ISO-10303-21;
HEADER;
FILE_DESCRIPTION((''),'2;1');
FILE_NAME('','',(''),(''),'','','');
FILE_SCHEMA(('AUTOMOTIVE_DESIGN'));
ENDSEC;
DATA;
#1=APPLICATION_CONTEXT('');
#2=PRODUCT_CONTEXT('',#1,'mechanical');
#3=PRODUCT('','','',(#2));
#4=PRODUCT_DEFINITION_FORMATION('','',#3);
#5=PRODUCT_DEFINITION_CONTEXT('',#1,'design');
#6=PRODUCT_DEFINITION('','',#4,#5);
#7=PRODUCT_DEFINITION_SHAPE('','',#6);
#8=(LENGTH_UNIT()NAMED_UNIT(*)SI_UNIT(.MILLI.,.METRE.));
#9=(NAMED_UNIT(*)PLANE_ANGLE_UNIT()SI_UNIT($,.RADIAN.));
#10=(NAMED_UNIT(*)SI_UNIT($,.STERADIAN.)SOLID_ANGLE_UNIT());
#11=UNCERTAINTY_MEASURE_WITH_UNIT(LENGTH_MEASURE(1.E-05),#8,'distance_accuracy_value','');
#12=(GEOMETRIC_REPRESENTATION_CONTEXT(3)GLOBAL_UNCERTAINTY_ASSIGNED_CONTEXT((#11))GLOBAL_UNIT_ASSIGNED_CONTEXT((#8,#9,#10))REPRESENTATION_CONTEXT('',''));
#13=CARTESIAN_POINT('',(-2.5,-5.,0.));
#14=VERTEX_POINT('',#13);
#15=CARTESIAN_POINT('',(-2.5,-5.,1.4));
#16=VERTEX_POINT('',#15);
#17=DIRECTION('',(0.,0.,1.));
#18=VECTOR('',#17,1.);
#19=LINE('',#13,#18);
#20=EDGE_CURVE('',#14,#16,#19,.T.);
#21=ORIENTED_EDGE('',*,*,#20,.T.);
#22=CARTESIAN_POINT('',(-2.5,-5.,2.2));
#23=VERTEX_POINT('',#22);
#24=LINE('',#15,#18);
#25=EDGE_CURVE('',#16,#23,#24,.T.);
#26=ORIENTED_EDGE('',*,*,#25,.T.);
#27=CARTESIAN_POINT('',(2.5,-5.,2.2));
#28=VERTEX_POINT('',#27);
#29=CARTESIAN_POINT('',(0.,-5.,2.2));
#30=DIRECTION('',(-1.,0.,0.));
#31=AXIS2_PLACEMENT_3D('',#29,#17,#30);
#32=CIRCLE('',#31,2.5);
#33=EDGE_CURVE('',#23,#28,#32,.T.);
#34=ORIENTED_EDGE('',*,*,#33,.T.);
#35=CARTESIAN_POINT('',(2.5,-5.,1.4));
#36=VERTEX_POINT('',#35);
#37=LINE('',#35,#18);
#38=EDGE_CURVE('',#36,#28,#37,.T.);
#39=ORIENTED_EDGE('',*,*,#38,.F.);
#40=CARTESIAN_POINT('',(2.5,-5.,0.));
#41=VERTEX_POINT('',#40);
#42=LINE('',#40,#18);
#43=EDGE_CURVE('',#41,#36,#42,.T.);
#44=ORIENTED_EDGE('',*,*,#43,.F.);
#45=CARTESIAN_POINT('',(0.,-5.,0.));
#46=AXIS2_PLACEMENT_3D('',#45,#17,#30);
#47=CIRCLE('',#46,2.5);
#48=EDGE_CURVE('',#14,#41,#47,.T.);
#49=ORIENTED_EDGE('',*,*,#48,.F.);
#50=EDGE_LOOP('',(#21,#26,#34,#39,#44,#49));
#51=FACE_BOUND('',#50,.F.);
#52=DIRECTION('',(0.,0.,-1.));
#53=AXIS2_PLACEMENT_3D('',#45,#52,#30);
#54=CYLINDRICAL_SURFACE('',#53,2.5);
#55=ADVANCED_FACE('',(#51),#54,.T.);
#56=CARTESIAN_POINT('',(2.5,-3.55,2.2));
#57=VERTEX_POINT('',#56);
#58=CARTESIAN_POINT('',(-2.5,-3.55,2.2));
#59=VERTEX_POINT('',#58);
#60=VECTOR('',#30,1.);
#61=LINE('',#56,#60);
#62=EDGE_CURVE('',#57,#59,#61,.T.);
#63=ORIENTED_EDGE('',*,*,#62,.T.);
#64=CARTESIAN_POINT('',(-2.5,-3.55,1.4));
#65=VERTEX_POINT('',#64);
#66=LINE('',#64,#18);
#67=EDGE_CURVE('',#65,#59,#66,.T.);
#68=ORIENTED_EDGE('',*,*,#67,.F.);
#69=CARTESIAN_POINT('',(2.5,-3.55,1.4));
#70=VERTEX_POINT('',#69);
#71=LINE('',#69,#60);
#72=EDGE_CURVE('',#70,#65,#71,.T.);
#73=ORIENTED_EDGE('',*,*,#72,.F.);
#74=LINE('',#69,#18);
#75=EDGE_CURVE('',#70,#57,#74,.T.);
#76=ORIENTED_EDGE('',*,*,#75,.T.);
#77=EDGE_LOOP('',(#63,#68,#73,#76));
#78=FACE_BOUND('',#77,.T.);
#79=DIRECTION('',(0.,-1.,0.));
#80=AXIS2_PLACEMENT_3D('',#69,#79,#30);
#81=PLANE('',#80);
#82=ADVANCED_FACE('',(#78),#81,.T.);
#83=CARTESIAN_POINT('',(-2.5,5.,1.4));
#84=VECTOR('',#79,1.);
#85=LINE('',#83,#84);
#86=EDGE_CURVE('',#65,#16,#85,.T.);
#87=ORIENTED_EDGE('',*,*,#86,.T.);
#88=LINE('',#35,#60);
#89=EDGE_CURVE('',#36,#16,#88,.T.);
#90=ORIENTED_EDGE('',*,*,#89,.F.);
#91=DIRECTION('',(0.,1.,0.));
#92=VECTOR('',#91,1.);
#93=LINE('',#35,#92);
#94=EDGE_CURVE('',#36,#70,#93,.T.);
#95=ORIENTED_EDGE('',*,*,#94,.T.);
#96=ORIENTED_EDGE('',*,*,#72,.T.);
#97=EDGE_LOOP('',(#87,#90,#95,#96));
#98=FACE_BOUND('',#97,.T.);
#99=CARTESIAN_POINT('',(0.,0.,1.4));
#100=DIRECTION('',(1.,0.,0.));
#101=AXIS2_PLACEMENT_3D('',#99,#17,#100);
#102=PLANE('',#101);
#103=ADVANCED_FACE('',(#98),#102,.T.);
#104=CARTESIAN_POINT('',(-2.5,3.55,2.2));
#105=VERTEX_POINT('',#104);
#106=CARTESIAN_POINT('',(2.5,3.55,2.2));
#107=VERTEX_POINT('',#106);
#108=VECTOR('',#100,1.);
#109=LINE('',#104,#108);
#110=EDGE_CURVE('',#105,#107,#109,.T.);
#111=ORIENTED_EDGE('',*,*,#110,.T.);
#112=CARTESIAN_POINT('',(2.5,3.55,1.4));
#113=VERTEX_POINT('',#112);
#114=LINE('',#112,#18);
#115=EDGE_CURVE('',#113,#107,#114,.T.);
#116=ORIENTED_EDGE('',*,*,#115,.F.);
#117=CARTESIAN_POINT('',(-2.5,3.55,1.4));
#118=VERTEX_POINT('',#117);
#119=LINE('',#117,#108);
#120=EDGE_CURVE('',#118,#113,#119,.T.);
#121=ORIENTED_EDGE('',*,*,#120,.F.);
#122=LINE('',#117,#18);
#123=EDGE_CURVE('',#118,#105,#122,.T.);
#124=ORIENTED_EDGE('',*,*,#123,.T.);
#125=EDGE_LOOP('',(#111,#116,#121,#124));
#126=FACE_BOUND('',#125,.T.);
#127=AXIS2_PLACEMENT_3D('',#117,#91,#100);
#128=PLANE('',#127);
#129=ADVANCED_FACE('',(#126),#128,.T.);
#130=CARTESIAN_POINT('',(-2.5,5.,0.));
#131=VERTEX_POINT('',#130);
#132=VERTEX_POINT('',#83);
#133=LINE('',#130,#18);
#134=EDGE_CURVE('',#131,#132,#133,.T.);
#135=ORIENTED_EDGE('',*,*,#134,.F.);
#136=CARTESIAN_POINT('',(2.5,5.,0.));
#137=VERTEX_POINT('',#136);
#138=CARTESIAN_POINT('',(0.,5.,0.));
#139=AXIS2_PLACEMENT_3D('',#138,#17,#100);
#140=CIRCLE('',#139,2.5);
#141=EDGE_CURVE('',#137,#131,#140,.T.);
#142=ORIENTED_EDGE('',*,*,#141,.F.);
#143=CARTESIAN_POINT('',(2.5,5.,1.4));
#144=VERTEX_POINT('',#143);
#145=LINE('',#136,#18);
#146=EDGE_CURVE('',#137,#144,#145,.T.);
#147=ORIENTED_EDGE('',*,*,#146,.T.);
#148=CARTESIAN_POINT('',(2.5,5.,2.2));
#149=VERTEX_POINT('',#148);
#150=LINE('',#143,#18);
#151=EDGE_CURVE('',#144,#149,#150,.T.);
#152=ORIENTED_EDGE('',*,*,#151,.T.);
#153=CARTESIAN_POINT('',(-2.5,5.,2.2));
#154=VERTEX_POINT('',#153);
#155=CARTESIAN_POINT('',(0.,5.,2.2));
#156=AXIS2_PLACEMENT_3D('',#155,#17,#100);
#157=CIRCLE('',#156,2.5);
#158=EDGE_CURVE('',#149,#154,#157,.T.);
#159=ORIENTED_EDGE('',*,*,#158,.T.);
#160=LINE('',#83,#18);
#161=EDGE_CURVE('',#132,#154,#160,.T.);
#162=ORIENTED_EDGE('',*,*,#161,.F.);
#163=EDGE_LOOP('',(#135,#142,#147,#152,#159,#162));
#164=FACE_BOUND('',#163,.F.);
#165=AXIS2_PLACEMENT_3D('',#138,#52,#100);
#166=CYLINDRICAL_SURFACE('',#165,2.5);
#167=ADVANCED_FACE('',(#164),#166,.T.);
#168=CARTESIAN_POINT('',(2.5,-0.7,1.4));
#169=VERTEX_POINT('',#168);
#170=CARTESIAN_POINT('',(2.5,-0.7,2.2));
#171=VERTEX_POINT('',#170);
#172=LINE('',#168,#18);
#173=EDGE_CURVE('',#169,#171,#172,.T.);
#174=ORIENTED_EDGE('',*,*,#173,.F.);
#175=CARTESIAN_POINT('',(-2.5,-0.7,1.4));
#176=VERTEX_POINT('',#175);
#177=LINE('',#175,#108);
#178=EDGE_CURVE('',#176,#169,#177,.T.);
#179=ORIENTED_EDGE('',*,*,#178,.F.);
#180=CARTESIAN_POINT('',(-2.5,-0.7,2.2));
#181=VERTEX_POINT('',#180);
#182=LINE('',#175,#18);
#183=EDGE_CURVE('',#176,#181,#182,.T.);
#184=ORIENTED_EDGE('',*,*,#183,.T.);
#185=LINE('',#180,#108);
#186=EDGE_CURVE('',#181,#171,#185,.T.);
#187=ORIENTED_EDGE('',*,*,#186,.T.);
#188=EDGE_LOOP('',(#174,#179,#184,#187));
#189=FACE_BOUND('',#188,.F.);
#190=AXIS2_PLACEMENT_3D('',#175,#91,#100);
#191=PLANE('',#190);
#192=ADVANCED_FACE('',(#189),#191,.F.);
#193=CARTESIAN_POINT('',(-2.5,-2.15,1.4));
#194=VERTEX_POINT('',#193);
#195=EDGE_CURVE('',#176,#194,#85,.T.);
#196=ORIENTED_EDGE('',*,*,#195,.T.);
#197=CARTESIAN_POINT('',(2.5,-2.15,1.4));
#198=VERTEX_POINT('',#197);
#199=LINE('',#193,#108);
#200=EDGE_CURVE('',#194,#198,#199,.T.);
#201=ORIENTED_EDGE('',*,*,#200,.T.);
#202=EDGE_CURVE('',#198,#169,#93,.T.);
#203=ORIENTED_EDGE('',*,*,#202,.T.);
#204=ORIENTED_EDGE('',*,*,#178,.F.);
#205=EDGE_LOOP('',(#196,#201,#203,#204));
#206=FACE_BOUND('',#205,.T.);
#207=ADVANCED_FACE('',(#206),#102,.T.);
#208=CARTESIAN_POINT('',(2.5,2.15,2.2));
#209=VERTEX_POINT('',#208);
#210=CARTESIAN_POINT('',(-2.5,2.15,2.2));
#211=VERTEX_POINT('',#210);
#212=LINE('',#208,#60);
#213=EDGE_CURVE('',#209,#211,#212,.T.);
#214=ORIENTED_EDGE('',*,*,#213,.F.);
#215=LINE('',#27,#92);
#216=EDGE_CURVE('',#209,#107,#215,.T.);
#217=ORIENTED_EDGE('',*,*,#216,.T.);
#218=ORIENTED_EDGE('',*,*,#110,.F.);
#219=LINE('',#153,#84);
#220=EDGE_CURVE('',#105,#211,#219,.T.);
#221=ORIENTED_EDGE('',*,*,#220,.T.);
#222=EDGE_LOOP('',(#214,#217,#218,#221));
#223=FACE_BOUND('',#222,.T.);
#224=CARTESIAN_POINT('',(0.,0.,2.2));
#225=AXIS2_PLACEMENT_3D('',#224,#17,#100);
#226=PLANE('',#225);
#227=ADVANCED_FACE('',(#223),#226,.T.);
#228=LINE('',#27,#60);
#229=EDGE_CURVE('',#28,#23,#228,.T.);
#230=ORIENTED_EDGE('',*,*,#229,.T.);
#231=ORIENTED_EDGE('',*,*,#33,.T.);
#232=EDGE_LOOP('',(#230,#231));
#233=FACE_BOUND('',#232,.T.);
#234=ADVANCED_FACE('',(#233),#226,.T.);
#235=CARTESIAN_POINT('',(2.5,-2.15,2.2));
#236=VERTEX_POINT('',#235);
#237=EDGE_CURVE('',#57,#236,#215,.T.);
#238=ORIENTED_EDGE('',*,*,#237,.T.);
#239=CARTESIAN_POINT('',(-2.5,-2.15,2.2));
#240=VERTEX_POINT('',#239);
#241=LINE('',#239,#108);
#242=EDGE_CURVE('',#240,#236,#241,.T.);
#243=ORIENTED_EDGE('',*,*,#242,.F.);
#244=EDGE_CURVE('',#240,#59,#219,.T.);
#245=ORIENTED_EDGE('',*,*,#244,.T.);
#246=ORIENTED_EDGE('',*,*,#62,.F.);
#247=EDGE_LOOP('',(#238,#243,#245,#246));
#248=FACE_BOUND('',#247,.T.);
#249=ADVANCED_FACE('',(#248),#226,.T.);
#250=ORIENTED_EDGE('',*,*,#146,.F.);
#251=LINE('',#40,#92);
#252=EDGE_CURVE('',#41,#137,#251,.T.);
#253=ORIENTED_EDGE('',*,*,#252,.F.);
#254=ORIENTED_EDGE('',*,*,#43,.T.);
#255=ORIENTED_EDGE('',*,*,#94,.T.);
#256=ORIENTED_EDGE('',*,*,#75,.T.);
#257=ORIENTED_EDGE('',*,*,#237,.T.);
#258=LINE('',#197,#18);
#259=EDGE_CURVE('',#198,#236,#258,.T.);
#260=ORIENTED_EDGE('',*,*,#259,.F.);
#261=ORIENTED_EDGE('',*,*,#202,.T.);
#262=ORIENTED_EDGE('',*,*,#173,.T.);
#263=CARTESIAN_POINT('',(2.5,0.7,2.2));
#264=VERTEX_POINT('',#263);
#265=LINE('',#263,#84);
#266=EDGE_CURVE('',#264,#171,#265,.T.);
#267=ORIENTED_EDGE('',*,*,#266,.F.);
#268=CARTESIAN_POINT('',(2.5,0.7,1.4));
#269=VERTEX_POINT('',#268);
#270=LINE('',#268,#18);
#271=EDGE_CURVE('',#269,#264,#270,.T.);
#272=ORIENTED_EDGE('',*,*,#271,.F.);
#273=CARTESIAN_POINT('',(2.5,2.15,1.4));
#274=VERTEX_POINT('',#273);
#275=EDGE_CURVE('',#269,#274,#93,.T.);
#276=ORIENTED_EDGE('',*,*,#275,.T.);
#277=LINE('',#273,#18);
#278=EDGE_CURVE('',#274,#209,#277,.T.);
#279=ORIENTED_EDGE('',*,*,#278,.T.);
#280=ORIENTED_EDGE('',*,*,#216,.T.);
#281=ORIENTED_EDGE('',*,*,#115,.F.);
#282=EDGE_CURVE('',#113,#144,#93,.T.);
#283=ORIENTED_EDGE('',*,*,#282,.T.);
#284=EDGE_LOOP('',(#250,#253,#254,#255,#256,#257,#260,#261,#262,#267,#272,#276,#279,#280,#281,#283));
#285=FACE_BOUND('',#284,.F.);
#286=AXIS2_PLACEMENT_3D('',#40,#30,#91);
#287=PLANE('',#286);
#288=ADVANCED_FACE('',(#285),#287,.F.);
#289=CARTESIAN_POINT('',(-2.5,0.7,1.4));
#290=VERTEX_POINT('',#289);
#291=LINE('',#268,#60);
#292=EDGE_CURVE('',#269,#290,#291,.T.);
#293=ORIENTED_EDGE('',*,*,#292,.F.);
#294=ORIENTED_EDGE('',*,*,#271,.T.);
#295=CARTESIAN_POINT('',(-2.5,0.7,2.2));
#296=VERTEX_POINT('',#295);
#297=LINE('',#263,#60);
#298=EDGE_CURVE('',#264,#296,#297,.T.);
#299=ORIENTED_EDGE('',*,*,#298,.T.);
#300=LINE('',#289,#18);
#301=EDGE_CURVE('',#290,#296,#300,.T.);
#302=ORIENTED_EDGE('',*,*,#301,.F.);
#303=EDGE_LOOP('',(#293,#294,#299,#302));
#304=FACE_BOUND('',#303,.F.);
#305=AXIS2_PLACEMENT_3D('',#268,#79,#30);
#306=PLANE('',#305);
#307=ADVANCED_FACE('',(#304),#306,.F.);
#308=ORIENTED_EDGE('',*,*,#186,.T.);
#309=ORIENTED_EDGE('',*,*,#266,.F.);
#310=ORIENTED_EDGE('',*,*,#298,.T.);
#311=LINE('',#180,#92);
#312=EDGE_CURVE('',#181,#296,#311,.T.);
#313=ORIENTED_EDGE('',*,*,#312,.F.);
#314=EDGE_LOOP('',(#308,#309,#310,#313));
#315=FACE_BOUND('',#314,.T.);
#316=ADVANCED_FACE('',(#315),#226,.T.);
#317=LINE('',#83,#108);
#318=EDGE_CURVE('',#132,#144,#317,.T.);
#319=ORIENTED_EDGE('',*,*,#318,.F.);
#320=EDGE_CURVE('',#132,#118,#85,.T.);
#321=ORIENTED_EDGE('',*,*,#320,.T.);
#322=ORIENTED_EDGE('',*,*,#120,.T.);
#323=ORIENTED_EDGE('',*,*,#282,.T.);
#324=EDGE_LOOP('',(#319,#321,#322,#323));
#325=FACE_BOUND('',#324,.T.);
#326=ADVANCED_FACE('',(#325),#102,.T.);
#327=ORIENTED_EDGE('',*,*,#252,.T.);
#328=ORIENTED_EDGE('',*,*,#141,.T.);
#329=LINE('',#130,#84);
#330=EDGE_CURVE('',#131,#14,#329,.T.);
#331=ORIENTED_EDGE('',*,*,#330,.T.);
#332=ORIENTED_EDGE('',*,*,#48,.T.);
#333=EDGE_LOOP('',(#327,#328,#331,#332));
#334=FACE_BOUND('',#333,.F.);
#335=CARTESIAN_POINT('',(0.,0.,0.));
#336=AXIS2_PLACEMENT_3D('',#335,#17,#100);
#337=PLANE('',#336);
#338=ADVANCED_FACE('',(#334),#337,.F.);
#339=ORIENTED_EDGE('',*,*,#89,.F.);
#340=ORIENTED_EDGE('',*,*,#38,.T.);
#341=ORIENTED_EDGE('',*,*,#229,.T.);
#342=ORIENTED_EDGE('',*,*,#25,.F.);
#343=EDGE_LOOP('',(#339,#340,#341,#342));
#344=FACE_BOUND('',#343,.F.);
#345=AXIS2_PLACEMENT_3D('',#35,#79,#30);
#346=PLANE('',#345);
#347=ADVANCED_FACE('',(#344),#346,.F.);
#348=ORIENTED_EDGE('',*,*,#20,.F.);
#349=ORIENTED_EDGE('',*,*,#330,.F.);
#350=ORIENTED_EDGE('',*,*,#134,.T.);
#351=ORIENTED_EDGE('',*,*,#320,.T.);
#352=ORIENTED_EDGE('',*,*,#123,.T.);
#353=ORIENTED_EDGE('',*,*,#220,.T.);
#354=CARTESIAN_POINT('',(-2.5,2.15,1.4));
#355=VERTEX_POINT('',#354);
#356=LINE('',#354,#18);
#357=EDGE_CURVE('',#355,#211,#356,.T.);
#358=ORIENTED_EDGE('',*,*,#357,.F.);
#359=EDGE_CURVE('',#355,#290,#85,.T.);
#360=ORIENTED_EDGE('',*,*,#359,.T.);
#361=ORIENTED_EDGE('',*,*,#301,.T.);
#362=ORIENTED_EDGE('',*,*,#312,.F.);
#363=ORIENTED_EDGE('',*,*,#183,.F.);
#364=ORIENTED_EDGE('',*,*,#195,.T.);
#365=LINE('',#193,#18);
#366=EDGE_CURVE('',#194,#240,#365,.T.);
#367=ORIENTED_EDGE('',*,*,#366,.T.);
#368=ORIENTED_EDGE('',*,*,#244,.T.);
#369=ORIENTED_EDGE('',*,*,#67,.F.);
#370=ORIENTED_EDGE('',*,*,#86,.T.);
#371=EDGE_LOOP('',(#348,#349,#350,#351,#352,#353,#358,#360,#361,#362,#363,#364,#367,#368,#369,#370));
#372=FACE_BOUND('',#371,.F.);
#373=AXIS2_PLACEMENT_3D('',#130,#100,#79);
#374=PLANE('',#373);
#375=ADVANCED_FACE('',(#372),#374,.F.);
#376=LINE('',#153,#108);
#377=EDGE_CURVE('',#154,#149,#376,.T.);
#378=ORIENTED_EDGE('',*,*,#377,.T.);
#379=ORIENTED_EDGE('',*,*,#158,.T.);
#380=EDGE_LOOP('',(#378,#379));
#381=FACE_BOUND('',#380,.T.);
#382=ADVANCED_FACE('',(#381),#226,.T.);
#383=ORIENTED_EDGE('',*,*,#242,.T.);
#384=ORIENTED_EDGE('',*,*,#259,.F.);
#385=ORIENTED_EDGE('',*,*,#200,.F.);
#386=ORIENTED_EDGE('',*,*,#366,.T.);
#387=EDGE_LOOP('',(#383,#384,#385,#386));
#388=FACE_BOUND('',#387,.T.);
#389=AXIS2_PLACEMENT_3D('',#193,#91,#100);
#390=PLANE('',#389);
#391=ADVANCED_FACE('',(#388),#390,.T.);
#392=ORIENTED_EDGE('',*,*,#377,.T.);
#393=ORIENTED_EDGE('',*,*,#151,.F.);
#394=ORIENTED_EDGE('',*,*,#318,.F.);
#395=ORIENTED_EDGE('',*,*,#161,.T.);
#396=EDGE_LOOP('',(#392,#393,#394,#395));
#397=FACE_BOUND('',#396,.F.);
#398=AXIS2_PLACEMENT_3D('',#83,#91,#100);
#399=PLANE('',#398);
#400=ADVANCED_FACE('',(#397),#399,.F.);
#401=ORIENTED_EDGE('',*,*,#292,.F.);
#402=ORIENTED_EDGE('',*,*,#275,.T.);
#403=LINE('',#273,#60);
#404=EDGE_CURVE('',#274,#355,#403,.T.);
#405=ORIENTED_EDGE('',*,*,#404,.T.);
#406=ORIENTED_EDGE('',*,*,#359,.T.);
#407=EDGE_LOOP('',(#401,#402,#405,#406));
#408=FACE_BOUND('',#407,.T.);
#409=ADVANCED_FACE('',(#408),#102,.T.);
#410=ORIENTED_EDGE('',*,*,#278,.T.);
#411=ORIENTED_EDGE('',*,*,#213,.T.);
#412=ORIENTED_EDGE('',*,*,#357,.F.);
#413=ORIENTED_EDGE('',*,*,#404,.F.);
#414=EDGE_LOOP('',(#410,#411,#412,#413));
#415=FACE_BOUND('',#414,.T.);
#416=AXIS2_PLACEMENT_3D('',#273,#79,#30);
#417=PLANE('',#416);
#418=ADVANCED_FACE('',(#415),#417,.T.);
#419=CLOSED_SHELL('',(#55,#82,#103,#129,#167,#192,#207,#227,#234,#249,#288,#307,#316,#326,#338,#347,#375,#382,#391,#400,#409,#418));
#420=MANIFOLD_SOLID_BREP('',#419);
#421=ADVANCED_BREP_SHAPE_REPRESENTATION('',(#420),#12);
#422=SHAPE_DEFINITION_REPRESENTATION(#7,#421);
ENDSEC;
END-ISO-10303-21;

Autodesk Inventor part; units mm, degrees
ref_plane "YZ Plane" through (0, 0, 0) normal (1, 0, 0) x (0, 1, 0)
ref_plane "XZ Plane" through (0, 0, 0) normal (0, 1, 0) x (-1, 0, 0)
ref_plane "XY Plane" through (0, 0, 0) normal (0, 0, 1) x (1, 0, 0)
sketch "Skizze1" plane through (0, 0, 0) normal (0, 0, 1) x (1, 0, 0)
  line L0 (0, -5) -> (0, 5) construction
  line L1 (2.5, -5) -> (2.5, 5)
  line L2 (-2.5, 5) -> (-2.5, -5)
  arc A0 (-2.5, -5) -> (2.5, -5) centre (0, -5) ccw
  arc A1 (2.5, 5) -> (-2.5, 5) centre (0, 5) ccw
  point P0 (0, 0)
  dimension "d0" = 5
  dimension "d1" = 10
extrude "Extrusion1" add sketch "Skizze1" along normal blind 1.4
sketch "Skizze2" plane through (0, 0, 1.4) normal (0, 0, 1) x (1, 0, 0)
  line L0 (2.5, -5) -> (2.5, 5) projected
  arc A0 (2.5, 5) -> (-2.5, 5) centre (0, 5) ccw projected
  line L1 (-2.5, 5) -> (-2.5, -5) projected
  arc A1 (-2.5, -5) -> (2.5, -5) centre (0, -5) ccw projected
  line L2 (-2.5, 5) -> (-2.5, -5) projected
  line L3 (-2.5, 5) -> (2.5, 5)
  line L4 (2.5, -5) -> (2.5, 5) projected
  line L5 (2.5, -5) -> (-2.5, -5)
  arc A2 (2.5, 5) -> (-2.5, 5) centre (0, 5) ccw
  arc A3 (-2.5, -5) -> (2.5, -5) centre (0, -5) ccw
  line L6 (-2.5, 3.55) -> (2.5, 3.55)
  line L7 (2.5, 3.55) -> (2.5, 2.15)
  line L8 (2.5, 2.15) -> (-2.5, 2.15)
  line L9 (-2.5, 2.15) -> (-2.5, 3.55)
  line L10 (2.5, 0.7) -> (-2.5, 0.7)
  line L11 (-2.5, 0.7) -> (-2.5, -0.7)
  line L12 (-2.5, -0.7) -> (2.5, -0.7)
  line L13 (2.5, -0.7) -> (2.5, 0.7)
  line L14 (-2.5, -2.15) -> (2.5, -2.15)
  line L15 (2.5, -2.15) -> (2.5, -3.55)
  line L16 (2.5, -3.55) -> (-2.5, -3.55)
  line L17 (-2.5, -3.55) -> (-2.5, -2.15)
  line L18 (-3.5, 0) -> (3.5, 0) projected
  line L19 (-2.5, 2.85) -> (2.5, 2.85) construction
  point P0 (0, 0)
  dimension "d4" = 1.4
  dimension "d5" = 1.4
extrude "Extrusion2" add sketch "Skizze2" along normal blind 0.8 contours A1 L5 | L16 L1 L14 L0 | L12 L1 L18 L0 | L18 L1 L10 L0 | L8 L1 L6 L0 | L3 A0
equation "\"d5\" = d4"
properties part number "Dribblerdaempfer Unten" material "Gummi, Silikon"
